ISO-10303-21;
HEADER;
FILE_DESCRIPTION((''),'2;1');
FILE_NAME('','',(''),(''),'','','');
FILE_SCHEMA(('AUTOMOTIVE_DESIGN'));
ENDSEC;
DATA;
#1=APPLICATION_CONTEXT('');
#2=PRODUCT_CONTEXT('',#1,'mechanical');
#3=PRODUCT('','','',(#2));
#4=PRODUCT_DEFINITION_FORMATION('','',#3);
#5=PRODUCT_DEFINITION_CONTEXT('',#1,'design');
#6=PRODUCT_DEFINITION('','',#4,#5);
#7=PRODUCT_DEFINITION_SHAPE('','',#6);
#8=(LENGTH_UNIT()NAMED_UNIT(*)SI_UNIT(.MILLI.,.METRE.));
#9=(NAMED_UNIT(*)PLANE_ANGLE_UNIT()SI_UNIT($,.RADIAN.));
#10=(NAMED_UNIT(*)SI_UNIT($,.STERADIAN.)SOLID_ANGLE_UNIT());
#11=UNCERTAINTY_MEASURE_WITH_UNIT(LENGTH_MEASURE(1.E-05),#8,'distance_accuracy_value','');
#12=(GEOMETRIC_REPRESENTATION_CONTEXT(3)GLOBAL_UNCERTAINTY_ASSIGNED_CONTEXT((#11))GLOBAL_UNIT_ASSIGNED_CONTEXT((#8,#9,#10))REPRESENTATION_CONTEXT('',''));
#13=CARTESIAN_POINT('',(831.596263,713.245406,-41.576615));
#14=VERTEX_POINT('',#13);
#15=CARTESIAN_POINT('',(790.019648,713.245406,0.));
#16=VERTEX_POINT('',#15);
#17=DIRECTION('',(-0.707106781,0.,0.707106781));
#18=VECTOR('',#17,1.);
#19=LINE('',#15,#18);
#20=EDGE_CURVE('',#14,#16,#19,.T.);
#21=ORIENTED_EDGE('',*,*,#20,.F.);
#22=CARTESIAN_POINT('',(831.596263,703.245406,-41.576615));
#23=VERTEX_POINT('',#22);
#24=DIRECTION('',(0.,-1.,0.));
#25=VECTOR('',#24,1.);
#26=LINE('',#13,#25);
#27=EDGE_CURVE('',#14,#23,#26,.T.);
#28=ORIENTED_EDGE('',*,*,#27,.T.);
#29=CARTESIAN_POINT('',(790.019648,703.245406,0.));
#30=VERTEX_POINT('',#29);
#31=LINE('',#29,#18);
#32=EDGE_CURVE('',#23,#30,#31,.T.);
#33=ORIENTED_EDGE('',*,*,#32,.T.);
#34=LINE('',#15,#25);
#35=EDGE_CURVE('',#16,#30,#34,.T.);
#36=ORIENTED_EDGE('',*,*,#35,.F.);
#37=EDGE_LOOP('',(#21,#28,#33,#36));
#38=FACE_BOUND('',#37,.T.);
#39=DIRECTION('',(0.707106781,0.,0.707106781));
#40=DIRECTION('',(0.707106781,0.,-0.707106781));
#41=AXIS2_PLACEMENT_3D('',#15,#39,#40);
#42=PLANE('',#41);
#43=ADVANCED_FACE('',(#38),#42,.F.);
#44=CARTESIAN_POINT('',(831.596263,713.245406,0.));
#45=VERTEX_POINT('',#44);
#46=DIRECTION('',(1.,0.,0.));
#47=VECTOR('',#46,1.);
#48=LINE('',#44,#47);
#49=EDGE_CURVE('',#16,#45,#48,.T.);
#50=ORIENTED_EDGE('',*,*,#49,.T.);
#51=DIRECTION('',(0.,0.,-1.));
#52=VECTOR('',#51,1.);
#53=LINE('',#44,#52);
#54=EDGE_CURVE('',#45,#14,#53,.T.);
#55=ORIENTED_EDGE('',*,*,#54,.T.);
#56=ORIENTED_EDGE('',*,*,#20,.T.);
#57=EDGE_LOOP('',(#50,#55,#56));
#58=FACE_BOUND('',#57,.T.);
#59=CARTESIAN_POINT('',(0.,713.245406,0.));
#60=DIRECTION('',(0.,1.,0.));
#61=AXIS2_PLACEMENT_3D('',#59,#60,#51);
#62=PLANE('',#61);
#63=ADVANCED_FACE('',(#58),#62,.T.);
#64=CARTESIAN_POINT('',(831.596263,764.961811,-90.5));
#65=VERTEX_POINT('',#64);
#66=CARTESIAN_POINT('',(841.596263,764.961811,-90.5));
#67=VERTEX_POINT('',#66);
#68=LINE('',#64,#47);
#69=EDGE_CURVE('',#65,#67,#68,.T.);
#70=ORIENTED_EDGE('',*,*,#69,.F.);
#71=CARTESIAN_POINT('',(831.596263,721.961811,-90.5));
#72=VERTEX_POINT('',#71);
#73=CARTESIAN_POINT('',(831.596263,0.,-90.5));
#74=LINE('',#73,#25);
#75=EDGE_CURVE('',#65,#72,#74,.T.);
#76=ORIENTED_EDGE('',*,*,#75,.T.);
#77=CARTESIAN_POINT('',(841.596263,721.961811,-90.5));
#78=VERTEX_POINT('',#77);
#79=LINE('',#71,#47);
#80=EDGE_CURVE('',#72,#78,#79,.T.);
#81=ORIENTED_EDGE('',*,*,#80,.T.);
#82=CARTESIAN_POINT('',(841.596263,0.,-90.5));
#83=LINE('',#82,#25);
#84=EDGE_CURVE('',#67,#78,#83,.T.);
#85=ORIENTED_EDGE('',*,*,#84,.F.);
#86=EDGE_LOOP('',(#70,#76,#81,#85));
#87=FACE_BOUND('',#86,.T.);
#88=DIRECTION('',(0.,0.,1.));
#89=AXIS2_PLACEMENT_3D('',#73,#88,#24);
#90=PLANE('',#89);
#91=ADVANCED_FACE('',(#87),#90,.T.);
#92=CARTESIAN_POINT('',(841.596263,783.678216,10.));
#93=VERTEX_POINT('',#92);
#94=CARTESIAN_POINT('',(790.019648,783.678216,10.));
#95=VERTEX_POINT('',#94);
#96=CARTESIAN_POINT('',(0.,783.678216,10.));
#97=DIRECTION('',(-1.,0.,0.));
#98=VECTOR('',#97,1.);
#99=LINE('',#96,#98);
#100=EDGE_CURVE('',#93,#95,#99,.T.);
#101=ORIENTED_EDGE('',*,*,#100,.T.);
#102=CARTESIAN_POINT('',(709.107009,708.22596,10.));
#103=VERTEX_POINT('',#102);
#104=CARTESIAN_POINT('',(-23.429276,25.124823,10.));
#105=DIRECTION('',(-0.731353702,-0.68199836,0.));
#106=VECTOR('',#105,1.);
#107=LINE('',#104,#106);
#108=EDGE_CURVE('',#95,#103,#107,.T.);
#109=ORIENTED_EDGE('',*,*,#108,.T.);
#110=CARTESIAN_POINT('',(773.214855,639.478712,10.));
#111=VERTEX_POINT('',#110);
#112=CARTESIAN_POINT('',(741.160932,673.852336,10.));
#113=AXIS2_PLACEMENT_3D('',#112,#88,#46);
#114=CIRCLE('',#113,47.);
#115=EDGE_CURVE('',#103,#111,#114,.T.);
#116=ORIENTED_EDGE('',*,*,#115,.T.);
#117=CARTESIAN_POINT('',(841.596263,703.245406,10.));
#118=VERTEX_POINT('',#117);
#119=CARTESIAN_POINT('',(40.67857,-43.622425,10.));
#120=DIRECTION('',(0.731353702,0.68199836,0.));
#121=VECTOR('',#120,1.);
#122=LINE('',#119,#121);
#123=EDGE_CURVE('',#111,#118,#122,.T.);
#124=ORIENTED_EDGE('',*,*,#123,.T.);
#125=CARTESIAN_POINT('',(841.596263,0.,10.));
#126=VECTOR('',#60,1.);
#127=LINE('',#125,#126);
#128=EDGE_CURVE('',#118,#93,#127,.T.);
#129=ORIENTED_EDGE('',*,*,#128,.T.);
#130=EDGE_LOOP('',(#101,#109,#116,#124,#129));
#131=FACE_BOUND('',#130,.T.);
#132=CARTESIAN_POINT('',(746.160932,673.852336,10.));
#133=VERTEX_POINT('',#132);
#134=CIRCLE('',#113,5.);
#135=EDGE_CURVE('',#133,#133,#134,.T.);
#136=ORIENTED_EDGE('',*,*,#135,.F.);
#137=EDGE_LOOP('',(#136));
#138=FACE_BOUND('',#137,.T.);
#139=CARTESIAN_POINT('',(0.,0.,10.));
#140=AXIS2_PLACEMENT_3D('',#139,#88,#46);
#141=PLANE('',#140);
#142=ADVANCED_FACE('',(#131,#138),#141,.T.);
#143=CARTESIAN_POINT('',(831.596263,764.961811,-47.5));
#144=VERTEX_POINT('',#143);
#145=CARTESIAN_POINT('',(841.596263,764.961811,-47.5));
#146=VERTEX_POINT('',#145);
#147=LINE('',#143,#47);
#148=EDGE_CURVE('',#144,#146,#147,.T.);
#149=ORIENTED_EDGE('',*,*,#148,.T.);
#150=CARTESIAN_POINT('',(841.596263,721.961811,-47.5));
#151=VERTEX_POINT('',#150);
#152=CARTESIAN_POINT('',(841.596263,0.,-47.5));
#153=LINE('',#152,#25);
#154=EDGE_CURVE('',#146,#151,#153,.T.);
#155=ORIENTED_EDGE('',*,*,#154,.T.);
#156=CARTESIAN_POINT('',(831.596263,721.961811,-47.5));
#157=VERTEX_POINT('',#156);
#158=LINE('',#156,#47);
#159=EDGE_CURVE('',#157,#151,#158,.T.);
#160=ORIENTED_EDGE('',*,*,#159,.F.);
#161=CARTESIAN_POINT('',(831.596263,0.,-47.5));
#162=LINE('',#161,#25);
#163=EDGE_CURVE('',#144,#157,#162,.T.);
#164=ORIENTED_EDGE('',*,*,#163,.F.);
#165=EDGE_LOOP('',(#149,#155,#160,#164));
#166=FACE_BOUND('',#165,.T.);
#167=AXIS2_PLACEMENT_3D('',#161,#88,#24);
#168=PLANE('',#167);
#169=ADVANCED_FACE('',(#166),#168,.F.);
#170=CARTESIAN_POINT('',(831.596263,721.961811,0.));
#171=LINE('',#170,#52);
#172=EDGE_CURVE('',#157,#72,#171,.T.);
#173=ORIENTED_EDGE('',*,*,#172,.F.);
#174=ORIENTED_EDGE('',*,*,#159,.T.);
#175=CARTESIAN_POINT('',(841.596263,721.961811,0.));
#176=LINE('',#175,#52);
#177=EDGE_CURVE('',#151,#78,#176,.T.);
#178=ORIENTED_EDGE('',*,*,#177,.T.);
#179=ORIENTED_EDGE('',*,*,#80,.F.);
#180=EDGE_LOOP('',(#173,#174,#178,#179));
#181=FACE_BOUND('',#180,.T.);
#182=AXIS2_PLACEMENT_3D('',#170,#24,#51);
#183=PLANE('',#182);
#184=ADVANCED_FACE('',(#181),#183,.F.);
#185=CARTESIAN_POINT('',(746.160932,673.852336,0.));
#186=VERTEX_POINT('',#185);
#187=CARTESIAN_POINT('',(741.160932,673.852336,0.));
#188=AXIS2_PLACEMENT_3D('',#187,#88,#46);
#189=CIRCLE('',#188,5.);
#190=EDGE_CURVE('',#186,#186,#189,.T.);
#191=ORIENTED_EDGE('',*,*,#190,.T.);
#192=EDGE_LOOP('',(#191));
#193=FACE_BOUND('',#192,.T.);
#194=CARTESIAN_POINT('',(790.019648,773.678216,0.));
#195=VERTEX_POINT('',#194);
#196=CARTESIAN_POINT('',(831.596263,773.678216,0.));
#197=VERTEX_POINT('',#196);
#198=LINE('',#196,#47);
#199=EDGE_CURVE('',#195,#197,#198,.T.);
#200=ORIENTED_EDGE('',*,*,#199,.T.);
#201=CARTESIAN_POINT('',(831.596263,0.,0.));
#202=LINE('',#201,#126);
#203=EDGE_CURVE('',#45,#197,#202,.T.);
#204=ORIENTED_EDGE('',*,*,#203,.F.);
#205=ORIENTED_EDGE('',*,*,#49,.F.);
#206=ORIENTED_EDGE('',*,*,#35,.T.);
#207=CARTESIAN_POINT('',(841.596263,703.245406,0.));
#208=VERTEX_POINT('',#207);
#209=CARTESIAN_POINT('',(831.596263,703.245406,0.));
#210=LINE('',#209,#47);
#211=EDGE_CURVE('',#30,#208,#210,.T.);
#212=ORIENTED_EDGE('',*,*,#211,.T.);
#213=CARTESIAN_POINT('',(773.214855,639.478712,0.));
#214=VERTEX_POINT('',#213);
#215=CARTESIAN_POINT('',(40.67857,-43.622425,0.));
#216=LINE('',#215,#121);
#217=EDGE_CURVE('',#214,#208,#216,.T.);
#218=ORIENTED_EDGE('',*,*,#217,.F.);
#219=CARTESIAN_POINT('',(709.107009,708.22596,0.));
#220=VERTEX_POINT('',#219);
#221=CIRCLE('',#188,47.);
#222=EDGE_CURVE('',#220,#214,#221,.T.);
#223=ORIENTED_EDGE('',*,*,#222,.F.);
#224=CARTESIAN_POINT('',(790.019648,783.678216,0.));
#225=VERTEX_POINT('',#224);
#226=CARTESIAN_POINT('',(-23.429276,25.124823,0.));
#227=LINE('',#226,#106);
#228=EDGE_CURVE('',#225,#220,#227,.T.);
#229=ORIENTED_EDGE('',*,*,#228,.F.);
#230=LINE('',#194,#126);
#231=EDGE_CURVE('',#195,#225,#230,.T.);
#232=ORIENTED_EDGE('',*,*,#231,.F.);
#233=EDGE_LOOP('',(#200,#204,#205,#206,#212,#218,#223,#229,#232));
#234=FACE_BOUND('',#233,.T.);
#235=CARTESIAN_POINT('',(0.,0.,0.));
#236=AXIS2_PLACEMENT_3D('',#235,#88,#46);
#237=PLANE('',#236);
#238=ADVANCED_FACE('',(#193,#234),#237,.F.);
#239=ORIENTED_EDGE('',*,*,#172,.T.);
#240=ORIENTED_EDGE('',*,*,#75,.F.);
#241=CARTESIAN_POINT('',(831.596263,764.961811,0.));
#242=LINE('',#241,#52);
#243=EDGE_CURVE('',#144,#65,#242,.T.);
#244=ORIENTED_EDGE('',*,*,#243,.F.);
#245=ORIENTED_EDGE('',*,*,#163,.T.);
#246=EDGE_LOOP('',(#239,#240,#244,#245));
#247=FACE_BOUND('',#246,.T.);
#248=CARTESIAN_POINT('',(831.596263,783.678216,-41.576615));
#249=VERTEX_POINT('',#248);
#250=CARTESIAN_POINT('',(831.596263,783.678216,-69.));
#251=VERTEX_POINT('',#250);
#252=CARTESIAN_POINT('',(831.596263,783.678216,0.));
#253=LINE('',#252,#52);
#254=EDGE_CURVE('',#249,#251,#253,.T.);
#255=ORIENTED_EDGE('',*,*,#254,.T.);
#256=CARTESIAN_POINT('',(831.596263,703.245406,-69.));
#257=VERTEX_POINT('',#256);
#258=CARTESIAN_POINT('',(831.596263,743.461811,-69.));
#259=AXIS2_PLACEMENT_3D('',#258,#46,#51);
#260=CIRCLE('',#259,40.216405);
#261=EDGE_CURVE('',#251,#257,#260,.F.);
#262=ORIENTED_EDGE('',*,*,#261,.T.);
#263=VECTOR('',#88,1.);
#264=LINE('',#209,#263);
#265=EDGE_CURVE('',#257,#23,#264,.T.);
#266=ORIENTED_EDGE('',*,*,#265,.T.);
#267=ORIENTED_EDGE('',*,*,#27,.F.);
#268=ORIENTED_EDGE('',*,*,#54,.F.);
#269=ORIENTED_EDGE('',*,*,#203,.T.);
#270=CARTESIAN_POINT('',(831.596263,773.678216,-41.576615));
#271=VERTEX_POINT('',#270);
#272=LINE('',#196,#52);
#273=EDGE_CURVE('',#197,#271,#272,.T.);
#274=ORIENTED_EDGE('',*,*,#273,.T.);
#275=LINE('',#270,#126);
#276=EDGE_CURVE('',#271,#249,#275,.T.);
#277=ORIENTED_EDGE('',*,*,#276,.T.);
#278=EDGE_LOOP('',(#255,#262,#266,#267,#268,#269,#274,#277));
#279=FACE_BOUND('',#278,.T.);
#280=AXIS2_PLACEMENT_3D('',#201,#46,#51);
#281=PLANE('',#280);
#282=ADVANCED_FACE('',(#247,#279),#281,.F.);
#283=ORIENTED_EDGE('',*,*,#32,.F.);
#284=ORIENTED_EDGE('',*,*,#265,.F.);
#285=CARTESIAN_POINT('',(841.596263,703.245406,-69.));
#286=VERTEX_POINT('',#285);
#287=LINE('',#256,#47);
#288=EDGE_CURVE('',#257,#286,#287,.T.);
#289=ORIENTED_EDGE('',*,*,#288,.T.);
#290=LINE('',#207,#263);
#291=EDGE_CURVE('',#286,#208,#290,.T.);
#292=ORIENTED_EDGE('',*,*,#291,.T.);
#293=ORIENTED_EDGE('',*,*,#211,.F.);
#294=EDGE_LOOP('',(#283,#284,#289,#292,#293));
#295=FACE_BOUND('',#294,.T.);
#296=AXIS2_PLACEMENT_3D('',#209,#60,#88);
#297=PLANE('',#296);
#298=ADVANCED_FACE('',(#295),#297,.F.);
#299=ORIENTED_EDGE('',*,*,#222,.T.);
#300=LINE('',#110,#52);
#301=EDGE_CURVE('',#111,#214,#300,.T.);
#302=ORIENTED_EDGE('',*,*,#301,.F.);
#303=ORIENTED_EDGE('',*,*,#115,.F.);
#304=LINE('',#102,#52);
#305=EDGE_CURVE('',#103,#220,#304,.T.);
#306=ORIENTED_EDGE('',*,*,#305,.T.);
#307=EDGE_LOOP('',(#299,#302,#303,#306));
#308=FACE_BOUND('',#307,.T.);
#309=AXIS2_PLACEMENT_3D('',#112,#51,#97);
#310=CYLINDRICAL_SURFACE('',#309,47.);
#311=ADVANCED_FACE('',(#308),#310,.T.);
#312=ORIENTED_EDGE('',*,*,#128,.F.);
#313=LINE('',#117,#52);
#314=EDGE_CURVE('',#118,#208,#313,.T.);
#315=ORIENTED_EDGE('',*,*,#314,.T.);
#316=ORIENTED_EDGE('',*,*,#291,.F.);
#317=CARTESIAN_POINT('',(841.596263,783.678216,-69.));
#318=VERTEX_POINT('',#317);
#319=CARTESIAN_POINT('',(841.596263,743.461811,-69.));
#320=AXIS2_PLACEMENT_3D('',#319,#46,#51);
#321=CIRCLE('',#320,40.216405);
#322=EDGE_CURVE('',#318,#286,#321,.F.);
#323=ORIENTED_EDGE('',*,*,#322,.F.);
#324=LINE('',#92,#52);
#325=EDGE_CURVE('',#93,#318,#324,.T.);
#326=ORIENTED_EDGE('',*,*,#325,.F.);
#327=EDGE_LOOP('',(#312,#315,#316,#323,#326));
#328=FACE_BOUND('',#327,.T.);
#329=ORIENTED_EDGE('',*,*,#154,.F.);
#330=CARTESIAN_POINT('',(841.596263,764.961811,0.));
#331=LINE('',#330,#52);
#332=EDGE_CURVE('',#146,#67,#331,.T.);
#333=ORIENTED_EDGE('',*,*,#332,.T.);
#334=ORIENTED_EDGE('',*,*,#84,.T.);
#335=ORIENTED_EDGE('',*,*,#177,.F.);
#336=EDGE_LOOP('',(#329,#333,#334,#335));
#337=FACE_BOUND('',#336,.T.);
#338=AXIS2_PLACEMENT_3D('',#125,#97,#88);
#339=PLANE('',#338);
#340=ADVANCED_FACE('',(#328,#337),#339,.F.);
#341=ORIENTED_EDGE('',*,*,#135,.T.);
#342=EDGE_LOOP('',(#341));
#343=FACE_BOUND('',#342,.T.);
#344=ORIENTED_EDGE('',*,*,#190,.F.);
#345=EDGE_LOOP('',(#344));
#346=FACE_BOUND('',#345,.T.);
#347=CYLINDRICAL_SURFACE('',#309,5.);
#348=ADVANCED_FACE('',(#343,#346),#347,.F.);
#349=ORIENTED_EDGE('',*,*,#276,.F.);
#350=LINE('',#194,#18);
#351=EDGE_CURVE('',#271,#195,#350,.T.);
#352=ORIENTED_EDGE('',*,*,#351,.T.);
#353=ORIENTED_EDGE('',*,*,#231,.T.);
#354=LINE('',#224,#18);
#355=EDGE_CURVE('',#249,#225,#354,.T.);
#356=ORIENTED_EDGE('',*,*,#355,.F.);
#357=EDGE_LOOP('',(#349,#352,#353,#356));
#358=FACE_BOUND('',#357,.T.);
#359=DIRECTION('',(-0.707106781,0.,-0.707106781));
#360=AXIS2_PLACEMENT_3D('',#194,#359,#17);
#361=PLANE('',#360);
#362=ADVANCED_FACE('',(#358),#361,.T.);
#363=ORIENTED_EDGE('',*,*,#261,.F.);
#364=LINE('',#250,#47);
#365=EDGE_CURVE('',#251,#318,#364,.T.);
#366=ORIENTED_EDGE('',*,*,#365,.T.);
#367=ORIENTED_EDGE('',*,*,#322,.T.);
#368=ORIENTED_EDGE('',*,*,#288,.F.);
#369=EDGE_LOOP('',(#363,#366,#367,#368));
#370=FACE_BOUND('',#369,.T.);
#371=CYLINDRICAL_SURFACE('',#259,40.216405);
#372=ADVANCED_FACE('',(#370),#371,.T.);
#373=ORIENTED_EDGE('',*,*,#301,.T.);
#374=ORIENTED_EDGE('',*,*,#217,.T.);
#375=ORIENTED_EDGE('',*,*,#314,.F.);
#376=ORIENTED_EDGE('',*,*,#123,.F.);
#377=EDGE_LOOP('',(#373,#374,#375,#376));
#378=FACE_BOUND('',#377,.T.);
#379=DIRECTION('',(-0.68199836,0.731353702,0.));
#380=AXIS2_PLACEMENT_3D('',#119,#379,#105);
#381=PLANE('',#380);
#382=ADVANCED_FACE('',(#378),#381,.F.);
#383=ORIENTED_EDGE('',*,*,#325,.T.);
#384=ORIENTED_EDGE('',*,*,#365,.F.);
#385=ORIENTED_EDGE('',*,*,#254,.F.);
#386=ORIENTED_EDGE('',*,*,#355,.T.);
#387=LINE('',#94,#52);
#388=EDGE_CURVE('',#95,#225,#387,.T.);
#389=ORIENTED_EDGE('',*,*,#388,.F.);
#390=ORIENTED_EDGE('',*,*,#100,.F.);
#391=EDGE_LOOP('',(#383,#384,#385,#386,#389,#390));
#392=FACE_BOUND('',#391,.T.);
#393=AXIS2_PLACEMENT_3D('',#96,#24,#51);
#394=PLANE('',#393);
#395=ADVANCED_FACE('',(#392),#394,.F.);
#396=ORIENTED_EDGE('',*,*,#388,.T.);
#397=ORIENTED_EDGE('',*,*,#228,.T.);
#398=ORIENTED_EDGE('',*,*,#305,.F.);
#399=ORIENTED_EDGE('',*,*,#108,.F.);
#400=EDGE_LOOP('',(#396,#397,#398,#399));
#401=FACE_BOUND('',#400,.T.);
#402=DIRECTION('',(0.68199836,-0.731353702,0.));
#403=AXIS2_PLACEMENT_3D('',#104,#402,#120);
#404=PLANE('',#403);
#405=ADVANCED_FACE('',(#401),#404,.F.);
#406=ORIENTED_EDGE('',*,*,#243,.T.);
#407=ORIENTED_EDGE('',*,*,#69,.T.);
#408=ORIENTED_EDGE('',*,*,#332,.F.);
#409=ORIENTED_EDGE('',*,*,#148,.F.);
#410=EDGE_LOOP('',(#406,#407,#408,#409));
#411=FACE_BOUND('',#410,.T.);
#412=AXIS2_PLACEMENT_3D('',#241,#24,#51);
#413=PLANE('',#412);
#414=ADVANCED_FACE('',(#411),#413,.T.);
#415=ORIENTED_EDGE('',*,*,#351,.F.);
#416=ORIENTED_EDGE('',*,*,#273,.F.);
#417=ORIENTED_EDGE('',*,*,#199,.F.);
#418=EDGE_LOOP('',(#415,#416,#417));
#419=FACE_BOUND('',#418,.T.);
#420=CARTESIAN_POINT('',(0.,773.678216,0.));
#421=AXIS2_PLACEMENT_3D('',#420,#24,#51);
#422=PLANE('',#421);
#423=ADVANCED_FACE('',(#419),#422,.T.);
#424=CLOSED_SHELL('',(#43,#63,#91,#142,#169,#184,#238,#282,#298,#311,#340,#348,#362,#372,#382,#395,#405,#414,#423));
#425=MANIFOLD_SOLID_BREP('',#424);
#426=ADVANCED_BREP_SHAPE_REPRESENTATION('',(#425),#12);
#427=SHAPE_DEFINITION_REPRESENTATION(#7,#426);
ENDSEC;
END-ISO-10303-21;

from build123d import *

# Parameters (mm, degrees)
SKETCH2_R           = 5
BOSS_EXTRUDE1_DEPTH = 10
SKETCH5_W           = 43
SKETCH5_H           = 43
BOSS_EXTRUDE3_DEPTH = 10
BOSS_EXTRUDE4_DEPTH = 10


with BuildPart() as part:
    # Sketch2 → Boss-Extrude1 (new body)
    with BuildSketch(Plane.XY):
        with BuildLine():
            Line((790.019647556, 783.678215824), (709.10700943, 708.225960112))
            ThreePointArc((709.10700943, 708.225960112), (706.787308377, 641.798413213), (773.214855276, 639.47871216))
            Line((773.214855276, 639.47871216), (841.59626274, 703.245406232))
            Line((841.59626274, 703.245406232), (841.59626274, 783.678215824))
            Line((841.59626274, 783.678215824), (790.019647556, 783.678215824))
        make_face()
        with Locations((741.160932353, 673.852336136)):
            Circle(SKETCH2_R, mode=Mode.SUBTRACT)
    extrude(amount=BOSS_EXTRUDE1_DEPTH)

    # Sketch5 → Boss-Extrude3 (add)
    with BuildSketch(Plane(origin=(841.59626274, 0, 0), x_dir=(0, 0, -1), z_dir=(1, 0, 0))):
        with BuildLine():
            Line((69, 783.678215824), (0, 783.678215824))
            Line((0, 783.678215824), (0, 703.245406232))
            Line((0, 703.245406232), (69, 703.245406232))
            ThreePointArc((69, 703.245406232), (109.216404796, 743.461811028), (69, 783.678215824))
        make_face()
        with Locations((69, 743.461811028)):
            Rectangle(SKETCH5_W, SKETCH5_H, mode=Mode.SUBTRACT)
    extrude(amount=-BOSS_EXTRUDE3_DEPTH)

    # Sketch6 → Boss-Extrude4 (add)
    with BuildSketch(Plane(origin=(0, 783.678215824, 0), x_dir=(1, 0, 0), z_dir=(0, 1, 0))):
        Polygon((790.019647556, 0), (831.59626274, 41.576615184), (831.59626274, 0), align=None)
    boss_extrude4 = extrude(amount=-BOSS_EXTRUDE4_DEPTH)

    # Mirror1: Boss-Extrude4 across plane
    add(boss_extrude4.mirror(Plane.ZX.offset(743.461811028)))


solid = part.part
